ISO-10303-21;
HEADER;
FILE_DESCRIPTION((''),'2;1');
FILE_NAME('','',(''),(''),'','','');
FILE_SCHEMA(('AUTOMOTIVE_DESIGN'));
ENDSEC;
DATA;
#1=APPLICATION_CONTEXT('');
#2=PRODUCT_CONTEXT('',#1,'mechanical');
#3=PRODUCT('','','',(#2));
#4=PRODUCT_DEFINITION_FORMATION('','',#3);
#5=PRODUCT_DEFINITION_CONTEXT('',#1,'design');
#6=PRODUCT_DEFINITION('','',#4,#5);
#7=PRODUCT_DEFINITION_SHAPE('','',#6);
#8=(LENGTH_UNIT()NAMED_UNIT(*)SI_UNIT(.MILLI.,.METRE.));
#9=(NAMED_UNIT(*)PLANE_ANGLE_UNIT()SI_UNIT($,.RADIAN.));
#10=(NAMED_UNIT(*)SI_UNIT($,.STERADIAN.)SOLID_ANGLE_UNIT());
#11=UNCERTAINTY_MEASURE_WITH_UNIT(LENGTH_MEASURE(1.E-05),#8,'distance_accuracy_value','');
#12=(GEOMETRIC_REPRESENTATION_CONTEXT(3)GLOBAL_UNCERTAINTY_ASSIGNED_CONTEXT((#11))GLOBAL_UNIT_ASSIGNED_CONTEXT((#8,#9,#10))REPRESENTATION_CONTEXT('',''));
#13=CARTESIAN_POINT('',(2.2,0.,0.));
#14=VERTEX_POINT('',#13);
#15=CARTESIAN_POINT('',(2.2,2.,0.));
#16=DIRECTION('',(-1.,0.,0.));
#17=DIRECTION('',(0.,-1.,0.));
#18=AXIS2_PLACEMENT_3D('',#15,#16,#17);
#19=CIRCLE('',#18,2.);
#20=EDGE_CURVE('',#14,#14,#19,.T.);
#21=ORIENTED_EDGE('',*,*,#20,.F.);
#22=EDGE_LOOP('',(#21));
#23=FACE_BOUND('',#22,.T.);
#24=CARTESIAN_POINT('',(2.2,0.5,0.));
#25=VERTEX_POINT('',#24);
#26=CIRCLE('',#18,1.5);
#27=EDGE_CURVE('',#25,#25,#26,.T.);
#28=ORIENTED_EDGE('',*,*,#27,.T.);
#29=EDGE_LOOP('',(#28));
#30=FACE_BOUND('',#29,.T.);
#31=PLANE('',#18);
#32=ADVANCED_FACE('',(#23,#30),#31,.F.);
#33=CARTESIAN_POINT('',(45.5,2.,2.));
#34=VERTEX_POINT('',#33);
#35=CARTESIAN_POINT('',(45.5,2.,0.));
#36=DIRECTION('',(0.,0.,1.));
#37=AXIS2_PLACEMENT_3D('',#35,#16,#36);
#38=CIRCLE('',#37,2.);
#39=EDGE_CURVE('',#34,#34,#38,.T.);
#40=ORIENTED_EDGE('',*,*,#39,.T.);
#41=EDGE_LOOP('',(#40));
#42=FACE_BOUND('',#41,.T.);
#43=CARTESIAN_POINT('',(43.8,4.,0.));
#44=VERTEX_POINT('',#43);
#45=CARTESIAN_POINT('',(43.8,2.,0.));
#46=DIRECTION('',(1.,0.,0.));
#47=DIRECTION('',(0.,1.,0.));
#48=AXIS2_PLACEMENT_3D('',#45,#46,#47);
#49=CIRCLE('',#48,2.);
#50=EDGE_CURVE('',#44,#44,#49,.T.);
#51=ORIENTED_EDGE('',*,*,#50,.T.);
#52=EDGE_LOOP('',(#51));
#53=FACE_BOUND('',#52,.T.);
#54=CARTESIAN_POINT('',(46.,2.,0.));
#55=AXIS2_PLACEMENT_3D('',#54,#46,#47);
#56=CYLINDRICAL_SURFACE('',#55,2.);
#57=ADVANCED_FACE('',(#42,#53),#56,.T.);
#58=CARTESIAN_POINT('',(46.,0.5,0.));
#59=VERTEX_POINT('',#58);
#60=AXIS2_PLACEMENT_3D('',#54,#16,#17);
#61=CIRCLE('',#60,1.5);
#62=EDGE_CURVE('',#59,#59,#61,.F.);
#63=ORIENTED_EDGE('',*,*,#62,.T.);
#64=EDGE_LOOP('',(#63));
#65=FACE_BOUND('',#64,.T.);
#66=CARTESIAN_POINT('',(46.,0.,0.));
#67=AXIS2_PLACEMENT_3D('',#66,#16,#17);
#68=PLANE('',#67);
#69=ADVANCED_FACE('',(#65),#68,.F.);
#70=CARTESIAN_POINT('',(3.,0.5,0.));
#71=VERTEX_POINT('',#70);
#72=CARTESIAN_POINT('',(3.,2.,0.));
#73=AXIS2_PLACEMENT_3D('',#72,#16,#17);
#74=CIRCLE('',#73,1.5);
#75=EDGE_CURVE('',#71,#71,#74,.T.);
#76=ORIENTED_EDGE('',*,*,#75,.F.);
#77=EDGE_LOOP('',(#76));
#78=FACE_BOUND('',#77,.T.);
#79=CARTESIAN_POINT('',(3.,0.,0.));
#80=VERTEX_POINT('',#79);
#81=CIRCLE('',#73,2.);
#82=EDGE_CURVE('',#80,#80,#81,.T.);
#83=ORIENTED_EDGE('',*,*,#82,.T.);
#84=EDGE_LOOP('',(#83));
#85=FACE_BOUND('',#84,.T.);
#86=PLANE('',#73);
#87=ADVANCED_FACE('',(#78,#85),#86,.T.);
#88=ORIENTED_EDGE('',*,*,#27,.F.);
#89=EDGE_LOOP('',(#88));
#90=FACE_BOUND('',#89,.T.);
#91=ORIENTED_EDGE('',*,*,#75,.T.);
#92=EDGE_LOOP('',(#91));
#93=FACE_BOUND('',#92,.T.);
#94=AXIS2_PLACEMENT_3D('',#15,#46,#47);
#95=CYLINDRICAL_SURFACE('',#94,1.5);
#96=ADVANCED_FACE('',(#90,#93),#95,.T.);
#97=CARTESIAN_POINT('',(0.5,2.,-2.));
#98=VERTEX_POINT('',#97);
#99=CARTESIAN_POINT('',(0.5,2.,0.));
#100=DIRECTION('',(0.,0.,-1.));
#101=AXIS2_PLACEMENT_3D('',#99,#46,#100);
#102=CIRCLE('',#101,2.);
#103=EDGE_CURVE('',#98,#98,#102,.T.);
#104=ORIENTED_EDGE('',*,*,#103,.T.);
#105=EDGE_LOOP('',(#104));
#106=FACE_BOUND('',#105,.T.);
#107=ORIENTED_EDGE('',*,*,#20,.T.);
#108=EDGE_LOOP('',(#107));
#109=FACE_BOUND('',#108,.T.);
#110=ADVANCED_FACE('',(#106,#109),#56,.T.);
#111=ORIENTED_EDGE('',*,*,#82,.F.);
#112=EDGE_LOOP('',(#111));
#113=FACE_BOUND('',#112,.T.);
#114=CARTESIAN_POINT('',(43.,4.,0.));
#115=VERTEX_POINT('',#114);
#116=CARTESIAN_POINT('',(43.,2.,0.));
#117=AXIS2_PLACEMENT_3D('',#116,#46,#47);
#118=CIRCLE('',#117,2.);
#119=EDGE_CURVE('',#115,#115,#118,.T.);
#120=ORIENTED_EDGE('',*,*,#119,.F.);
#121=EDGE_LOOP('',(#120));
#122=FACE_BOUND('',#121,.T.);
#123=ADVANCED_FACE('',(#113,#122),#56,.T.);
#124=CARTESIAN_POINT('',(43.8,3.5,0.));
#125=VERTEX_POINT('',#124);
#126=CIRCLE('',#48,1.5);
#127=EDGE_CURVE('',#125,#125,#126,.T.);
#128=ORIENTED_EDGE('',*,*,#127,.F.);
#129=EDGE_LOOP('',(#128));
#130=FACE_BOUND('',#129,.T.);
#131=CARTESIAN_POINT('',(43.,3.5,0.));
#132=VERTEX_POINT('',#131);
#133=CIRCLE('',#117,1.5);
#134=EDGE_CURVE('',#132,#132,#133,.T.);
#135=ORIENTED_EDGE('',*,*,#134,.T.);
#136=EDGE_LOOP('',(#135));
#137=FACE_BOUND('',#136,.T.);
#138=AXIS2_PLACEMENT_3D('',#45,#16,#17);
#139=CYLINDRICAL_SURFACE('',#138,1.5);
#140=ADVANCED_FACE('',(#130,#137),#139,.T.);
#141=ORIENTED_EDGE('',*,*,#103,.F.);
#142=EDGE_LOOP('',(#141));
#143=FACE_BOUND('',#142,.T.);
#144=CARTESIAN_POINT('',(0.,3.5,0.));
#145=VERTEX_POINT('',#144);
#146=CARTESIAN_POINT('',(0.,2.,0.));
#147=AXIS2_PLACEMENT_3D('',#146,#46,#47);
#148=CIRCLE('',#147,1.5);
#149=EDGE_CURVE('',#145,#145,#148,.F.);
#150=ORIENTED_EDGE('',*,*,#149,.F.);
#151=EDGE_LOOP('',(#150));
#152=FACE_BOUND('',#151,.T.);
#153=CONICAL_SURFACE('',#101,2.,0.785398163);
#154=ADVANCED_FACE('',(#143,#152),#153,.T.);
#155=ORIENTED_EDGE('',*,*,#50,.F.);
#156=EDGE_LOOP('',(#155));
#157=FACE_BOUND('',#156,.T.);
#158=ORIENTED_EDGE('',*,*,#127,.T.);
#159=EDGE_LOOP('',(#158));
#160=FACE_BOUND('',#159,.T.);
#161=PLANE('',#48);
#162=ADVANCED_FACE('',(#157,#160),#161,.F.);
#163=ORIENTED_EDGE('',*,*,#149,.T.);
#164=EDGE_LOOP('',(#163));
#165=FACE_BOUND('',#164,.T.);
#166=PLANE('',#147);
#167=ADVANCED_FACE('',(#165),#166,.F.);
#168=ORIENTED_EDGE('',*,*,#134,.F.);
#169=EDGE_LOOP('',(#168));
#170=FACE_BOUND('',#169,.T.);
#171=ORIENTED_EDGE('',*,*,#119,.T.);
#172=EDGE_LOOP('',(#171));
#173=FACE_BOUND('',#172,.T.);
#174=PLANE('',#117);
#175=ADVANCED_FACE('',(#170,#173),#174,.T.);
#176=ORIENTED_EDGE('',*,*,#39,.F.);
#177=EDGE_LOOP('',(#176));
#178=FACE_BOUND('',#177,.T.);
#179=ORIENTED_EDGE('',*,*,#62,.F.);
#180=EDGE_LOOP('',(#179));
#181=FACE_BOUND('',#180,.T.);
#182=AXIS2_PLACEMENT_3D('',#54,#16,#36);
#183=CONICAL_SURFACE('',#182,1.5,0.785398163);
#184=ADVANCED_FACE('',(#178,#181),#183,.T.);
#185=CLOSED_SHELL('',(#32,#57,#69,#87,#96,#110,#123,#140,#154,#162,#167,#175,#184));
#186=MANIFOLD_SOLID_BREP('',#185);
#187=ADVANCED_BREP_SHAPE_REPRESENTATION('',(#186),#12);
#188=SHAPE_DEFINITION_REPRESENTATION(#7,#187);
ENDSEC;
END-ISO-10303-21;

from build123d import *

# Parameters (mm, degrees)
SKETCH1_W          = 46
SKETCH1_H          = 2
CUT_EXTRUDE1_START = -3
SKETCH2_R          = 2
SKETCH2_R_2        = 1.5
CUT_EXTRUDE1_DEPTH = 0.8
CUT_EXTRUDE3_START = -3
SKETCH3_R          = 2
SKETCH3_R_2        = 1.5
CUT_EXTRUDE3_DEPTH = 0.8
CHAMFER1_SIZE      = 0.5


with BuildPart() as part:
    # Sketch1 → Revolve2 (revolve)
    with BuildSketch(Plane.XY):
        with Locations((23, 1)):
            Rectangle(SKETCH1_W, SKETCH1_H)
    revolve(axis=Axis((46, 2, 0), (-1, 0, 0)))

    # Sketch2 → Cut-Extrude1 (cut)
    with BuildSketch(Plane(origin=(46, 0, 0), x_dir=(0, 0, -1), z_dir=(1, 0, 0)).offset(CUT_EXTRUDE1_START)):
        with Locations((0, 2)):
            Circle(SKETCH2_R)
        with Locations((0, 2)):
            Circle(SKETCH2_R_2, mode=Mode.SUBTRACT)
    extrude(amount=CUT_EXTRUDE1_DEPTH, mode=Mode.SUBTRACT)

    # Sketch3 → Cut-Extrude3 (cut)
    with BuildSketch(Plane.ZY.offset(CUT_EXTRUDE3_START)):
        with Locations((0, 2)):
            Circle(SKETCH3_R)
        with Locations((0, 2)):
            Circle(SKETCH3_R_2, mode=Mode.SUBTRACT)
    extrude(amount=CUT_EXTRUDE3_DEPTH, mode=Mode.SUBTRACT)

    # Chamfer1
    chamfer1_edges = [part.edges().sort_by_distance(p)[0] for p in [
        (46, 4, 0),
        (0, 4, 0),
    ]]
    chamfer(chamfer1_edges, length=CHAMFER1_SIZE)


solid = part.part
